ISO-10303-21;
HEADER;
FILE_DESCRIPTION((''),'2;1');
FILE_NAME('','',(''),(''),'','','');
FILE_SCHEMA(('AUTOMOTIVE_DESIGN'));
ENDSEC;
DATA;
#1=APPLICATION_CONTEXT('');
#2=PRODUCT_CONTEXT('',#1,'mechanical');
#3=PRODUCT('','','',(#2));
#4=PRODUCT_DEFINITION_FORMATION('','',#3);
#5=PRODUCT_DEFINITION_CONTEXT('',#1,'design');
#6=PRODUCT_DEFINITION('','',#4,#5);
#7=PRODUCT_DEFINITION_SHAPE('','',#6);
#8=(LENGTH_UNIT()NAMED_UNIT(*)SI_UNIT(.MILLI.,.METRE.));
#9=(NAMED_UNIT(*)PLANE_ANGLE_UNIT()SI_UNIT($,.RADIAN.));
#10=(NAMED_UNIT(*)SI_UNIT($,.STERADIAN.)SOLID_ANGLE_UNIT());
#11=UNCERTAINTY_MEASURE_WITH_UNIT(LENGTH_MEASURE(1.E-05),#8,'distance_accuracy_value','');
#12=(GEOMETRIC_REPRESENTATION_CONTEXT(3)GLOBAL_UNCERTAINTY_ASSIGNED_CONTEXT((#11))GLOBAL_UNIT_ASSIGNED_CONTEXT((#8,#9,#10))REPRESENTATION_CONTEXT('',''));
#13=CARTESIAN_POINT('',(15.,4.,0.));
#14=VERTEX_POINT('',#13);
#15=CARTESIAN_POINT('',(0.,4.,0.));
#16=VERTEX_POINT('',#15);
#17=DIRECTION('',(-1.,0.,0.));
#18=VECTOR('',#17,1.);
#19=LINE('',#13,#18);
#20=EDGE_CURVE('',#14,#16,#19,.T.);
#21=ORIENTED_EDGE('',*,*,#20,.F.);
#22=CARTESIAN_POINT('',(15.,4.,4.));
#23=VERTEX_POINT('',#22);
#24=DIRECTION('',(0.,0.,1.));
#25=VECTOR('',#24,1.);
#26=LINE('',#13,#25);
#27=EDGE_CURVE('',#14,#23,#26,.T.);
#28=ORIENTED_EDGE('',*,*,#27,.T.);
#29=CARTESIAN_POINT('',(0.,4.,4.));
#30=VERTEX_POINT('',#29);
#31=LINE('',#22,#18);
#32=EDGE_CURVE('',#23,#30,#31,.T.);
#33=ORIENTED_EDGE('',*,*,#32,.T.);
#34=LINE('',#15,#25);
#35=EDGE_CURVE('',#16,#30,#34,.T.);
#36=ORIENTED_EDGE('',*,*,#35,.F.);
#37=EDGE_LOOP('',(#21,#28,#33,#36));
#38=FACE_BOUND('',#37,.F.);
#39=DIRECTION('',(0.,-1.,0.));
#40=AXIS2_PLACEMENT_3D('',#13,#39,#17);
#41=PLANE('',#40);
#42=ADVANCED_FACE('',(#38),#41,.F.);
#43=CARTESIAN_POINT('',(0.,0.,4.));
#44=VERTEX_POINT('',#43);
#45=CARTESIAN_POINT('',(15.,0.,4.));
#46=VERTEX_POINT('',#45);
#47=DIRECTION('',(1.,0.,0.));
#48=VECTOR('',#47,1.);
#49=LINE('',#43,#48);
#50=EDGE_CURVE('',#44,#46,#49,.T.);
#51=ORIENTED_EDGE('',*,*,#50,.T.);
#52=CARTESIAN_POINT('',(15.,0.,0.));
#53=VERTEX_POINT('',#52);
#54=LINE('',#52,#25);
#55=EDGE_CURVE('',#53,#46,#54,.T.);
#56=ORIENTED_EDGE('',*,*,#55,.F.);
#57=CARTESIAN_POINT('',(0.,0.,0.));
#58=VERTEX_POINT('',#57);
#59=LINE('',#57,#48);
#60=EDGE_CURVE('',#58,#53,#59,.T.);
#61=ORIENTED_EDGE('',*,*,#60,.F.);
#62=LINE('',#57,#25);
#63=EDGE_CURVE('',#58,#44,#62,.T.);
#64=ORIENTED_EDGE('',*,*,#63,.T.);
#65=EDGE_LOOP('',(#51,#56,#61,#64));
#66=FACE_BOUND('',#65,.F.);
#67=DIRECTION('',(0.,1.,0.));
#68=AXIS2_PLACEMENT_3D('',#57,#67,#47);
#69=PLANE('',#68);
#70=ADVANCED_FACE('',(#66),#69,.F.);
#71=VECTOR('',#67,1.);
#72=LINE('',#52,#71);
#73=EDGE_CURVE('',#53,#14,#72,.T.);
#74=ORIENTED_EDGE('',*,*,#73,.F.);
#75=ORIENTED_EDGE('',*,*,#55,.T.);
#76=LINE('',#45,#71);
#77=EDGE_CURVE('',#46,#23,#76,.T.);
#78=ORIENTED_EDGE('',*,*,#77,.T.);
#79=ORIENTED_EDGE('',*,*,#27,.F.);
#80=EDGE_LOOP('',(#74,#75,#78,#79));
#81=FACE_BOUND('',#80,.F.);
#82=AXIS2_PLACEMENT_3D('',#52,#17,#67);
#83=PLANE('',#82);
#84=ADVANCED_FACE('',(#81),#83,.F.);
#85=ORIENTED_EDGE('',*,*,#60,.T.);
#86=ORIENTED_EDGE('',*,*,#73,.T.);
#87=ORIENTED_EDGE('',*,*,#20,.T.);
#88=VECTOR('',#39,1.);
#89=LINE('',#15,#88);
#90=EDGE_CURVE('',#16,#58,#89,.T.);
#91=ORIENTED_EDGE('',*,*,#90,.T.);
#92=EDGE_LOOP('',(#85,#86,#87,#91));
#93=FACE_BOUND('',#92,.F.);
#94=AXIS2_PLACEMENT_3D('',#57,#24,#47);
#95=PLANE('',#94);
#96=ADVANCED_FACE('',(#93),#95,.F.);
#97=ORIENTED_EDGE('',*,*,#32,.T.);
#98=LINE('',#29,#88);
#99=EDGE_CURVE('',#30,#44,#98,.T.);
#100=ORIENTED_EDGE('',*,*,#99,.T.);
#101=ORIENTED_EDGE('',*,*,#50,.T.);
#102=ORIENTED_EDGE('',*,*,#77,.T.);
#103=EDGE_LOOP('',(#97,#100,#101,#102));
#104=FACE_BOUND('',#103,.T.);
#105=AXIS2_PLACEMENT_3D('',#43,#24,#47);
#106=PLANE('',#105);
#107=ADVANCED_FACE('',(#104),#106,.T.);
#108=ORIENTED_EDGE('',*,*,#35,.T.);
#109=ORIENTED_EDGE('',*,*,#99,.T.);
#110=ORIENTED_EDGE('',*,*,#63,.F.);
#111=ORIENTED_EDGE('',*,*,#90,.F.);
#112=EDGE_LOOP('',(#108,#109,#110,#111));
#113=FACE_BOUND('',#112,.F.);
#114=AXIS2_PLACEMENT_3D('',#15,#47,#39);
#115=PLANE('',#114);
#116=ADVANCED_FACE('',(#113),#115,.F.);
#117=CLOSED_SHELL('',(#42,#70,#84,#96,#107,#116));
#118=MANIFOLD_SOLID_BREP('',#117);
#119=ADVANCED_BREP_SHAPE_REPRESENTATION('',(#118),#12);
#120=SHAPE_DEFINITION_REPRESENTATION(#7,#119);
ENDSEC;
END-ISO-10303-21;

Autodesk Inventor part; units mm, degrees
ref_plane "YZ Plane" through (0, 0, 0) normal (1, 0, 0) x (0, 1, 0)
ref_plane "XZ Plane" through (0, 0, 0) normal (0, 1, 0) x (-1, 0, 0)
ref_plane "XY Plane" through (0, 0, 0) normal (0, 0, 1) x (1, 0, 0)
sketch "Skizze1" plane through (0, 0, 0) normal (0, 0, 1) x (1, 0, 0)
  line L0 (0, 0) -> (15, 0)
  line L1 (15, 0) -> (15, 4)
  line L2 (15, 4) -> (0, 4)
  line L3 (0, 4) -> (0, 0)
  dimension "d0" = 15
  dimension "d1" = 4
extrude "Extrusion1" add sketch "Skizze1" along normal blind 4
properties part number "ArrowUp"
